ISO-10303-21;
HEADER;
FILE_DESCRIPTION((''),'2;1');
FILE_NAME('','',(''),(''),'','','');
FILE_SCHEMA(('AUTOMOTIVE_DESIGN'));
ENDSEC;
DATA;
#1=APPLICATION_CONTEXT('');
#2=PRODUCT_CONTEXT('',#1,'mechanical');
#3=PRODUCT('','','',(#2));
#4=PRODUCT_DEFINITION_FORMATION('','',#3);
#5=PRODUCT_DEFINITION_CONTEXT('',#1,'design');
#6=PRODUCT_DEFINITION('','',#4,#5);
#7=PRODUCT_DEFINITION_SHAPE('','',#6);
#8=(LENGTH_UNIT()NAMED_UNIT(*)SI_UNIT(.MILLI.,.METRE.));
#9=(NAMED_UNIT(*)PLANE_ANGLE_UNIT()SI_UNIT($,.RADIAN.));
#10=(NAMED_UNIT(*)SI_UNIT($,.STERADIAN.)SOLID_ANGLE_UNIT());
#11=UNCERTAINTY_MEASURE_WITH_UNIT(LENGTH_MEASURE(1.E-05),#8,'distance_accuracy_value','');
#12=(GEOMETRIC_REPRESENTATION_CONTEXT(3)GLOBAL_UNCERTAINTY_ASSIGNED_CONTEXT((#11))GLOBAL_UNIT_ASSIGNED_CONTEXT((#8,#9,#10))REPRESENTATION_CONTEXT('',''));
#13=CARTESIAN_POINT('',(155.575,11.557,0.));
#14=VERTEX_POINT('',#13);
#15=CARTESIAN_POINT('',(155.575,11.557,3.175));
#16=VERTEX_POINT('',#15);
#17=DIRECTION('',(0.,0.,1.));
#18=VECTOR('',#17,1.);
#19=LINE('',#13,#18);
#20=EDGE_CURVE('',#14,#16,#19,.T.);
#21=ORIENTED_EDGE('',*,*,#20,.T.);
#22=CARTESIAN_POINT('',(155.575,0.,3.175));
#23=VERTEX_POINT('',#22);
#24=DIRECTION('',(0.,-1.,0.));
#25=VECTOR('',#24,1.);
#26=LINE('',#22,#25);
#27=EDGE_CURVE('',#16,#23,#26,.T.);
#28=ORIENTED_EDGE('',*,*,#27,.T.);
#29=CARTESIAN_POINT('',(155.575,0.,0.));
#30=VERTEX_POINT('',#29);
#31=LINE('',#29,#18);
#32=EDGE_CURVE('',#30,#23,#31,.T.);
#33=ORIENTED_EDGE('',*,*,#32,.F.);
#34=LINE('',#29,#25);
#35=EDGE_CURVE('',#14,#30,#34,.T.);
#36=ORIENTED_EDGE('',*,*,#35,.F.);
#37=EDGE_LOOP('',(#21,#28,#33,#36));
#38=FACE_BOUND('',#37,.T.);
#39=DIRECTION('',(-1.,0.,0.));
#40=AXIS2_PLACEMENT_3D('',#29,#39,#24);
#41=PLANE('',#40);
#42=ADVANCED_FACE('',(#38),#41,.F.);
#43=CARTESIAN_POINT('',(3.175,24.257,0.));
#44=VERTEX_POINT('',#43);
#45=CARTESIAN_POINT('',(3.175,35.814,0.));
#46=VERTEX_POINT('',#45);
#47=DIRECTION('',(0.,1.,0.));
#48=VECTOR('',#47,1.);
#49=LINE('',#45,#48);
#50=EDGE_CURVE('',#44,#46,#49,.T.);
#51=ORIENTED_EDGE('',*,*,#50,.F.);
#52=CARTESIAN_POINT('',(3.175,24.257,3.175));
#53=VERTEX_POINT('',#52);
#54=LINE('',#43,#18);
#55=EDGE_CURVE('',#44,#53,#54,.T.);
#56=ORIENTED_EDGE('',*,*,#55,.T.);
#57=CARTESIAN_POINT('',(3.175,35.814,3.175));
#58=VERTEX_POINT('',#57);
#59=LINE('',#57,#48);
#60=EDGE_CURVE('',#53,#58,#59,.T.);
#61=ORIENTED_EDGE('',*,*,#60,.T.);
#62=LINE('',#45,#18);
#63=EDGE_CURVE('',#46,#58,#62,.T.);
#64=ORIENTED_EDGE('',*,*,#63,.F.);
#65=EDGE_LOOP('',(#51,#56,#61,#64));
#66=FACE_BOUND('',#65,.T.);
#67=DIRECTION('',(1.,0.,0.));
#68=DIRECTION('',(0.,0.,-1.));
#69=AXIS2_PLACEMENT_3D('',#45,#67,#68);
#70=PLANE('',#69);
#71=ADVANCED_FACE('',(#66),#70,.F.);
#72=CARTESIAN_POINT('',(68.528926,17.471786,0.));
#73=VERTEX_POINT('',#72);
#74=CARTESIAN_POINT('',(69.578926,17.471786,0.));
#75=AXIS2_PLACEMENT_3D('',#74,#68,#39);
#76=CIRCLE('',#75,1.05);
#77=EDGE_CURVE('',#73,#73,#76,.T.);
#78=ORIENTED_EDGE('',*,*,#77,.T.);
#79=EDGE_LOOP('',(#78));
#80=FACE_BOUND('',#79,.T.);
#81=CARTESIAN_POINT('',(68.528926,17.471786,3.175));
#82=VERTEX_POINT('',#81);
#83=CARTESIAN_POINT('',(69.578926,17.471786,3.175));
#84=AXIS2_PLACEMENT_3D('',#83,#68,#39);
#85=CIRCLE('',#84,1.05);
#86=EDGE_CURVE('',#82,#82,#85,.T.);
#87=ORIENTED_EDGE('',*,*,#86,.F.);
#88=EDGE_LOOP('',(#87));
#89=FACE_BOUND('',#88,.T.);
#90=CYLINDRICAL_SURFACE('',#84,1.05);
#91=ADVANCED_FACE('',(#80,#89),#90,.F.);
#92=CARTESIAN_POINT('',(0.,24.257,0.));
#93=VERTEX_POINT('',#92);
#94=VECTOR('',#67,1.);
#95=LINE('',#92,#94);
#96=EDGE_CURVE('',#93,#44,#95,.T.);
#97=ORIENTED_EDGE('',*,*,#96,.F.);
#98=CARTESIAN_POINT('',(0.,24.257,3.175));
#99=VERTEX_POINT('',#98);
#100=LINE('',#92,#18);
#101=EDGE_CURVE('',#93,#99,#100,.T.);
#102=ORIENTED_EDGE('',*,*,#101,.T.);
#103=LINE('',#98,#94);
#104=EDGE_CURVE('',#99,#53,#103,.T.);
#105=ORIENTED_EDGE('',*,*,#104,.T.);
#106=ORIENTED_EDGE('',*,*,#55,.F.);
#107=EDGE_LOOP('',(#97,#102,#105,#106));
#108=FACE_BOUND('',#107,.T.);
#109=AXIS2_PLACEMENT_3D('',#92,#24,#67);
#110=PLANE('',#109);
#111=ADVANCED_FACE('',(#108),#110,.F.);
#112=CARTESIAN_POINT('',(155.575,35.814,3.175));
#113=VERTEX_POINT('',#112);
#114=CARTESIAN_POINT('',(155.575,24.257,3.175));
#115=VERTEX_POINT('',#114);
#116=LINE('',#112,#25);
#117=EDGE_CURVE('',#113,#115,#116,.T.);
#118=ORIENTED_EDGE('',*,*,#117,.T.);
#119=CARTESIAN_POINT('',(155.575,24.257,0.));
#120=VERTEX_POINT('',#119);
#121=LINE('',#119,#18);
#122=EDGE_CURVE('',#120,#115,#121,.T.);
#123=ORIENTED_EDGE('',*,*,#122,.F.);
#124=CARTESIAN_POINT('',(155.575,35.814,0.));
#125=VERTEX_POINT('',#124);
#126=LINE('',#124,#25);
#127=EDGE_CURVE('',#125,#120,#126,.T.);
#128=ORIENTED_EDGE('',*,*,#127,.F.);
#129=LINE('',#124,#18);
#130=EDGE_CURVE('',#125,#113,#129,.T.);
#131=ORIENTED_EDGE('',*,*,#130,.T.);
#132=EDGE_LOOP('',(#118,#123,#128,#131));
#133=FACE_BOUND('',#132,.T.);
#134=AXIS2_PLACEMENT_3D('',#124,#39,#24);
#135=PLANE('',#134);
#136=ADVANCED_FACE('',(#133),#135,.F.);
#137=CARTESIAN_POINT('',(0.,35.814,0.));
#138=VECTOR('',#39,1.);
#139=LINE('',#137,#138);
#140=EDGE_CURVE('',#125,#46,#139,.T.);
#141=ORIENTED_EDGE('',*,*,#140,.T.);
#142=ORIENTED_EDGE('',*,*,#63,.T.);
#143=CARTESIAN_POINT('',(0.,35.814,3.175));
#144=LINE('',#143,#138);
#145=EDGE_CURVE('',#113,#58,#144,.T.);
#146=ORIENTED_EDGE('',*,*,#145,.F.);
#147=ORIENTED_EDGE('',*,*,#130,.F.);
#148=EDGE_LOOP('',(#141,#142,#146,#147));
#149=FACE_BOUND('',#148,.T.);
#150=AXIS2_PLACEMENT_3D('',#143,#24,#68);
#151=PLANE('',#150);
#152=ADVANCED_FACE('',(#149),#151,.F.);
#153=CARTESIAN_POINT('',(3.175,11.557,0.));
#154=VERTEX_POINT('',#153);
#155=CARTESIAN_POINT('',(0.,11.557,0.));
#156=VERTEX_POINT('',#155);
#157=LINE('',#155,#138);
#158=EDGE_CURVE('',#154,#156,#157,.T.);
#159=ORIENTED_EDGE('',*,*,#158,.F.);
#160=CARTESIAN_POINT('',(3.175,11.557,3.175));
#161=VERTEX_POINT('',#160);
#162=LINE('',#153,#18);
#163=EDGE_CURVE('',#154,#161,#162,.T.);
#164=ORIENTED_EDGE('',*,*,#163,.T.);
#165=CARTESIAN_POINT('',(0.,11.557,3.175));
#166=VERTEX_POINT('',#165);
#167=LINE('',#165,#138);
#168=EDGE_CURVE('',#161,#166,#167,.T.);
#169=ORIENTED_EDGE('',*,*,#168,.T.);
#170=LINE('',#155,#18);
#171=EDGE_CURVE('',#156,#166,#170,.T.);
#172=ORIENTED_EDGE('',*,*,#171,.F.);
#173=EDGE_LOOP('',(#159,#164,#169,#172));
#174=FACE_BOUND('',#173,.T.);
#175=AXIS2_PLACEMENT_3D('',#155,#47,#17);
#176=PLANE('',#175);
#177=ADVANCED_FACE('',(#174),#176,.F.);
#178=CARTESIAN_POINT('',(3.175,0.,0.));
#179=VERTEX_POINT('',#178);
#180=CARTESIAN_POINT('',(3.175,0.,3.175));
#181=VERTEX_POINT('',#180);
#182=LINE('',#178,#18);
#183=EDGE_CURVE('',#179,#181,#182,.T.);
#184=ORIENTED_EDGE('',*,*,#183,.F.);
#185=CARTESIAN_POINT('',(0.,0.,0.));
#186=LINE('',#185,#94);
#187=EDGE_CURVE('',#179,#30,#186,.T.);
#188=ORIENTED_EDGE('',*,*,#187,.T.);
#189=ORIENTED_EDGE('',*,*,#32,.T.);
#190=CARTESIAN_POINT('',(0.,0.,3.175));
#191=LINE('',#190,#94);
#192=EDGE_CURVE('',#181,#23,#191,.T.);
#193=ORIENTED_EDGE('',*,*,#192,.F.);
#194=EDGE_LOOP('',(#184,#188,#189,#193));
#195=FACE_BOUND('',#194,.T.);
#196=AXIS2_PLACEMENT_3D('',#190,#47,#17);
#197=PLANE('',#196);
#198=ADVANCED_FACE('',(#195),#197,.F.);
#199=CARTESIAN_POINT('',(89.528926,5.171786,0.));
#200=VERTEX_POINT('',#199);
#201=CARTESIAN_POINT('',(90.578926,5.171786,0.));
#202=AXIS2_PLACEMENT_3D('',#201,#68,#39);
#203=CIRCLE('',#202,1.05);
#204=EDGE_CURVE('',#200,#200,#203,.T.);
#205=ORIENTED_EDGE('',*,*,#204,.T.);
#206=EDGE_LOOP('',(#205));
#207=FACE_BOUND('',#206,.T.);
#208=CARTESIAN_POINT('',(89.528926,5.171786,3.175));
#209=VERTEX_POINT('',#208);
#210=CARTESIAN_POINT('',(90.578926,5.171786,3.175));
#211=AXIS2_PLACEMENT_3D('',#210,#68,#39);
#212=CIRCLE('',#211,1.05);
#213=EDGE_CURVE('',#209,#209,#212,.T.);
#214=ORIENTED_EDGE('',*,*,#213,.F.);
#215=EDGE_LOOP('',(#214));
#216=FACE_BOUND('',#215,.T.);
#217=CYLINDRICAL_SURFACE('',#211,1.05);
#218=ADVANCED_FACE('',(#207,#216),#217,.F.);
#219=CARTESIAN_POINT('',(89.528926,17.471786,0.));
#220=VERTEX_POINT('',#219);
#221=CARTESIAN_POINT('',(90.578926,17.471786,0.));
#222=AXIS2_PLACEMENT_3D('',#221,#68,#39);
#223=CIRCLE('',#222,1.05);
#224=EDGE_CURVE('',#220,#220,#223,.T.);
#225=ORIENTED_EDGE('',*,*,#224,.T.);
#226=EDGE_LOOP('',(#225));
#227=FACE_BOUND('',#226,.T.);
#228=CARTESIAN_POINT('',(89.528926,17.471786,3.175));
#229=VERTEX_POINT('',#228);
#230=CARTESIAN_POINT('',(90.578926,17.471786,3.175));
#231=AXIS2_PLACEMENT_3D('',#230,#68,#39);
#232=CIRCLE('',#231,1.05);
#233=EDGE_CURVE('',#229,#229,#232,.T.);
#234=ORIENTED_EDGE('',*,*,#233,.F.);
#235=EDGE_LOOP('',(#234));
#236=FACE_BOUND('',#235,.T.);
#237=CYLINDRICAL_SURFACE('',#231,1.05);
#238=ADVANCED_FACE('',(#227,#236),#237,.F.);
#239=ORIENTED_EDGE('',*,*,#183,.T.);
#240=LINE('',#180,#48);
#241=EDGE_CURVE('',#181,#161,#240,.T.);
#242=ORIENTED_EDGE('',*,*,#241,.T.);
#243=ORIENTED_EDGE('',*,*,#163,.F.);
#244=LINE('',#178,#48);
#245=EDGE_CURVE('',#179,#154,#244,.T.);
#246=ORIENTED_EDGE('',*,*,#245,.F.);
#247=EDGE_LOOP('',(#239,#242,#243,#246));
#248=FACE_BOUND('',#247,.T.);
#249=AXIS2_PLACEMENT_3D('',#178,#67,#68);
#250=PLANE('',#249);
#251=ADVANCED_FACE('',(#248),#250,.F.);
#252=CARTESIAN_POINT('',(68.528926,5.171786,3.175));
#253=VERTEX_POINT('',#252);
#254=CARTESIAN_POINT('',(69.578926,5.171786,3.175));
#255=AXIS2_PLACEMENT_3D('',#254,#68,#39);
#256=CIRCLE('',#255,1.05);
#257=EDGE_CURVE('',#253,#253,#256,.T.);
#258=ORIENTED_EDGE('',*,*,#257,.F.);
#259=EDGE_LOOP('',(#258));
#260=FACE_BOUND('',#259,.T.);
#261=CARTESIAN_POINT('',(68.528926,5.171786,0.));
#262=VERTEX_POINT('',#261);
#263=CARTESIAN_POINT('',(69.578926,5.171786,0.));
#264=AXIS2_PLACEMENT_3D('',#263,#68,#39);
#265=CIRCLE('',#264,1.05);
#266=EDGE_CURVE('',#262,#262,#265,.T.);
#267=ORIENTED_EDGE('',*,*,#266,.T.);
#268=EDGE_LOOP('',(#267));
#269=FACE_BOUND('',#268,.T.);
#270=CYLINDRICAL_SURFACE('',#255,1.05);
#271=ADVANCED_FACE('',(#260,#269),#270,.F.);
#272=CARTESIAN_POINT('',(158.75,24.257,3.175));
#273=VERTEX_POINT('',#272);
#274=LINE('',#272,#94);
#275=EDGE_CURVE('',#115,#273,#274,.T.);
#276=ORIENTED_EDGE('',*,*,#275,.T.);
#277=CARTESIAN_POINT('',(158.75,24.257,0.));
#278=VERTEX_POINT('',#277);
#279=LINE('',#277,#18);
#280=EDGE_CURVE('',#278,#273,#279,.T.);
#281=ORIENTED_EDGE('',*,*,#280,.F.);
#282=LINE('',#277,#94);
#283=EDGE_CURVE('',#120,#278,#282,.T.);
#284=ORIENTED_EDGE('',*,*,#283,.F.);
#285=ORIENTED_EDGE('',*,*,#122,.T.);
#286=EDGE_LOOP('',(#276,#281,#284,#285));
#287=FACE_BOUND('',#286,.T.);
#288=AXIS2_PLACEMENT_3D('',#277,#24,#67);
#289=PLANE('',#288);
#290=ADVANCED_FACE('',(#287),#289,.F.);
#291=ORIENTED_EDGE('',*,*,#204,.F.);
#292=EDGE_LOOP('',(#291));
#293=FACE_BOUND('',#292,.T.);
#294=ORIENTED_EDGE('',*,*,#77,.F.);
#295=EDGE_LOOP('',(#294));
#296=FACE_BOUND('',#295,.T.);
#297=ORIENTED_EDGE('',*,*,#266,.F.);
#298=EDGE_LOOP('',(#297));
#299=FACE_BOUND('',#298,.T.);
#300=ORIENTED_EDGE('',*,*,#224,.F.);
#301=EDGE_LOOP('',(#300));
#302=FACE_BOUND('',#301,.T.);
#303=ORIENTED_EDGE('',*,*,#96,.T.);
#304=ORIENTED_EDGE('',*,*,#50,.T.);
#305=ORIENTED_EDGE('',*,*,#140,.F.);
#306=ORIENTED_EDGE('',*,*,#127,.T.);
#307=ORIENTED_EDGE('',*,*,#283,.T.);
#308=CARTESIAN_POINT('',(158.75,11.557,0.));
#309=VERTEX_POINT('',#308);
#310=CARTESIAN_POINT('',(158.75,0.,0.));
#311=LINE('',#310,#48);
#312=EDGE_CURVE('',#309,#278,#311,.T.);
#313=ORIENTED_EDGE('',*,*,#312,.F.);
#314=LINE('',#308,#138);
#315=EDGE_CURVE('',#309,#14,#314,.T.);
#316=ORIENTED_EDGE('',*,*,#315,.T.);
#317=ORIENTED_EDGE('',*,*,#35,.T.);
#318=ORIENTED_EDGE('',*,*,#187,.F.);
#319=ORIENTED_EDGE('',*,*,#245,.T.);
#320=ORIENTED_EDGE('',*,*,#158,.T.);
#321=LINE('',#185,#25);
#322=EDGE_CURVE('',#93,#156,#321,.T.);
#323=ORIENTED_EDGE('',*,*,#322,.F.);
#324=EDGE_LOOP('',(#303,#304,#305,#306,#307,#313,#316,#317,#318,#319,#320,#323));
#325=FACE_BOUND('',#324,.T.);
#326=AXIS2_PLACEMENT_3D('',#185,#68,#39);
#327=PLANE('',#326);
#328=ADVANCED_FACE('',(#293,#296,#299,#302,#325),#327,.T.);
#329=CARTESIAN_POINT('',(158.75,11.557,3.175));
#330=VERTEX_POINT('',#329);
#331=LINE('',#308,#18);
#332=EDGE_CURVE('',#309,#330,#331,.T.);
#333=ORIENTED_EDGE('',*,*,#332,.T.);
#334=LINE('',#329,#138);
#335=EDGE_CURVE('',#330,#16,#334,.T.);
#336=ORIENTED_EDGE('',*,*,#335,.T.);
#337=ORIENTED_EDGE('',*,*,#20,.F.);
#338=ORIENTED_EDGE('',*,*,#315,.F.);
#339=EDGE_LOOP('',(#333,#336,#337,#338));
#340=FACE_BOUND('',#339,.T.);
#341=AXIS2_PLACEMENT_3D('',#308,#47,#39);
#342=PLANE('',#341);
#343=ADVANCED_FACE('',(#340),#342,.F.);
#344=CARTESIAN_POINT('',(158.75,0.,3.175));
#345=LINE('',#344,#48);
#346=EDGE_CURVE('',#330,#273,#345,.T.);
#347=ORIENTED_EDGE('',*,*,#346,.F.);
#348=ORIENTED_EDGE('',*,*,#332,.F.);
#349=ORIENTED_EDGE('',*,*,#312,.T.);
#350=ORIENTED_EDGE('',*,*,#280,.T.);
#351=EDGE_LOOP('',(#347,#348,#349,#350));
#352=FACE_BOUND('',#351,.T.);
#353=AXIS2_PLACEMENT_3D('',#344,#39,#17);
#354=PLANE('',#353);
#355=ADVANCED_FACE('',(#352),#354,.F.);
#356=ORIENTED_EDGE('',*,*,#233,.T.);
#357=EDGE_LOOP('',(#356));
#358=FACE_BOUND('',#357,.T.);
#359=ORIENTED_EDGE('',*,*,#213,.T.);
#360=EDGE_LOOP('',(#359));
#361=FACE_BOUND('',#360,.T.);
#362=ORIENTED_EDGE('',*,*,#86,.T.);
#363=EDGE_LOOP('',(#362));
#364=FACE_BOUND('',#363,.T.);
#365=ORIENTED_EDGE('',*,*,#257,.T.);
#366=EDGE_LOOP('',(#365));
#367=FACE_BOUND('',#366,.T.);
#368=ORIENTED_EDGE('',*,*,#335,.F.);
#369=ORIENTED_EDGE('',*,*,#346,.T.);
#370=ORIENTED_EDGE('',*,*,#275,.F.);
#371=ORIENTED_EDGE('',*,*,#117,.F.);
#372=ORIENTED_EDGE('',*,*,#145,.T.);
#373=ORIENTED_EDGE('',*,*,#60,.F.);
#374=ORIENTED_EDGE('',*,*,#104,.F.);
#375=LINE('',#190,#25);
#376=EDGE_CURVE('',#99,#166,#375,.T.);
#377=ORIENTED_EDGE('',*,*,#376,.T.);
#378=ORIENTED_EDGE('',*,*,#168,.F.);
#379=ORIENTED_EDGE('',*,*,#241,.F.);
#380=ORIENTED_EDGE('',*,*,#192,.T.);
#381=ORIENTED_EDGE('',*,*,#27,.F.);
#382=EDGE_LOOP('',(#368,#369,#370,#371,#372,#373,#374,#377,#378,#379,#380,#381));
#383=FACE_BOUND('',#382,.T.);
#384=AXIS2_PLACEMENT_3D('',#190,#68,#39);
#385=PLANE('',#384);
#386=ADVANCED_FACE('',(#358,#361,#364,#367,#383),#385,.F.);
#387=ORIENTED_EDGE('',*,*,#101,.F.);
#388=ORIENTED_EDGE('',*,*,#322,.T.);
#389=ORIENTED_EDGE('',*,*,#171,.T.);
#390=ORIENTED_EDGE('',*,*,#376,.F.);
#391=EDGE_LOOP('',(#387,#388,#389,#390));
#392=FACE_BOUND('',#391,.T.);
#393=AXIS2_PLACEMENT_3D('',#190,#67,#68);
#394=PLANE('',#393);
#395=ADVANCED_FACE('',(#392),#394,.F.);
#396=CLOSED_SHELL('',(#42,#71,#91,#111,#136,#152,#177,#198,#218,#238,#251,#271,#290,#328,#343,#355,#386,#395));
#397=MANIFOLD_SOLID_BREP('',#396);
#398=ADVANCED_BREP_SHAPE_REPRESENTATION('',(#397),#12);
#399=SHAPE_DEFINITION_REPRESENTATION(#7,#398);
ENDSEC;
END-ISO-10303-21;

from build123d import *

# Parameters (mm, degrees)
SKETCH1_W           = 158.75
SKETCH1_H           = 35.814
BOSS_EXTRUDE1_DEPTH = 3.175
SKETCH2_W           = 3.175
SKETCH2_H           = 11.557
CUT_EXTRUDE1_DEPTH  = 4.175
SKETCH3_R           = 1.05
CUT_EXTRUDE2_DEPTH  = 4.175


with BuildPart() as part:
    # Sketch1 → Boss-Extrude1 (new body)
    with BuildSketch(Plane.XY):
        with Locations((79.375, 17.907)):
            Rectangle(SKETCH1_W, SKETCH1_H)
    extrude(amount=BOSS_EXTRUDE1_DEPTH)

    # Sketch2 → Cut-Extrude1 (cut, through all)
    with BuildSketch(Plane.XY.offset(3.175)):
        with Locations((157.1625, 5.7785)):
            Rectangle(SKETCH2_W, SKETCH2_H)
        with Locations((1.5875, 5.7785)):
            Rectangle(SKETCH2_W, SKETCH2_H)
        with Locations((1.5875, 30.0355)):
            Rectangle(SKETCH2_W, SKETCH2_H)
        with Locations((157.1625, 30.0355)):
            Rectangle(SKETCH2_W, SKETCH2_H)
    extrude(amount=-CUT_EXTRUDE1_DEPTH, mode=Mode.SUBTRACT)

    # Sketch3 → Cut-Extrude2 (cut, through all)
    with BuildSketch(Plane(origin=(0, 0, 0), x_dir=(-1, 0, 0), z_dir=(0, 0, -1))):
        with Locations((-90.578925545, 17.471786094)):
            Circle(SKETCH3_R)
        with Locations((-69.578925545, 5.171786094)):
            Circle(SKETCH3_R)
        with Locations((-90.578925545, 5.171786094)):
            Circle(SKETCH3_R)
        with Locations((-69.578925545, 17.471786094)):
            Circle(SKETCH3_R)
    extrude(amount=-CUT_EXTRUDE2_DEPTH, mode=Mode.SUBTRACT)


solid = part.part
